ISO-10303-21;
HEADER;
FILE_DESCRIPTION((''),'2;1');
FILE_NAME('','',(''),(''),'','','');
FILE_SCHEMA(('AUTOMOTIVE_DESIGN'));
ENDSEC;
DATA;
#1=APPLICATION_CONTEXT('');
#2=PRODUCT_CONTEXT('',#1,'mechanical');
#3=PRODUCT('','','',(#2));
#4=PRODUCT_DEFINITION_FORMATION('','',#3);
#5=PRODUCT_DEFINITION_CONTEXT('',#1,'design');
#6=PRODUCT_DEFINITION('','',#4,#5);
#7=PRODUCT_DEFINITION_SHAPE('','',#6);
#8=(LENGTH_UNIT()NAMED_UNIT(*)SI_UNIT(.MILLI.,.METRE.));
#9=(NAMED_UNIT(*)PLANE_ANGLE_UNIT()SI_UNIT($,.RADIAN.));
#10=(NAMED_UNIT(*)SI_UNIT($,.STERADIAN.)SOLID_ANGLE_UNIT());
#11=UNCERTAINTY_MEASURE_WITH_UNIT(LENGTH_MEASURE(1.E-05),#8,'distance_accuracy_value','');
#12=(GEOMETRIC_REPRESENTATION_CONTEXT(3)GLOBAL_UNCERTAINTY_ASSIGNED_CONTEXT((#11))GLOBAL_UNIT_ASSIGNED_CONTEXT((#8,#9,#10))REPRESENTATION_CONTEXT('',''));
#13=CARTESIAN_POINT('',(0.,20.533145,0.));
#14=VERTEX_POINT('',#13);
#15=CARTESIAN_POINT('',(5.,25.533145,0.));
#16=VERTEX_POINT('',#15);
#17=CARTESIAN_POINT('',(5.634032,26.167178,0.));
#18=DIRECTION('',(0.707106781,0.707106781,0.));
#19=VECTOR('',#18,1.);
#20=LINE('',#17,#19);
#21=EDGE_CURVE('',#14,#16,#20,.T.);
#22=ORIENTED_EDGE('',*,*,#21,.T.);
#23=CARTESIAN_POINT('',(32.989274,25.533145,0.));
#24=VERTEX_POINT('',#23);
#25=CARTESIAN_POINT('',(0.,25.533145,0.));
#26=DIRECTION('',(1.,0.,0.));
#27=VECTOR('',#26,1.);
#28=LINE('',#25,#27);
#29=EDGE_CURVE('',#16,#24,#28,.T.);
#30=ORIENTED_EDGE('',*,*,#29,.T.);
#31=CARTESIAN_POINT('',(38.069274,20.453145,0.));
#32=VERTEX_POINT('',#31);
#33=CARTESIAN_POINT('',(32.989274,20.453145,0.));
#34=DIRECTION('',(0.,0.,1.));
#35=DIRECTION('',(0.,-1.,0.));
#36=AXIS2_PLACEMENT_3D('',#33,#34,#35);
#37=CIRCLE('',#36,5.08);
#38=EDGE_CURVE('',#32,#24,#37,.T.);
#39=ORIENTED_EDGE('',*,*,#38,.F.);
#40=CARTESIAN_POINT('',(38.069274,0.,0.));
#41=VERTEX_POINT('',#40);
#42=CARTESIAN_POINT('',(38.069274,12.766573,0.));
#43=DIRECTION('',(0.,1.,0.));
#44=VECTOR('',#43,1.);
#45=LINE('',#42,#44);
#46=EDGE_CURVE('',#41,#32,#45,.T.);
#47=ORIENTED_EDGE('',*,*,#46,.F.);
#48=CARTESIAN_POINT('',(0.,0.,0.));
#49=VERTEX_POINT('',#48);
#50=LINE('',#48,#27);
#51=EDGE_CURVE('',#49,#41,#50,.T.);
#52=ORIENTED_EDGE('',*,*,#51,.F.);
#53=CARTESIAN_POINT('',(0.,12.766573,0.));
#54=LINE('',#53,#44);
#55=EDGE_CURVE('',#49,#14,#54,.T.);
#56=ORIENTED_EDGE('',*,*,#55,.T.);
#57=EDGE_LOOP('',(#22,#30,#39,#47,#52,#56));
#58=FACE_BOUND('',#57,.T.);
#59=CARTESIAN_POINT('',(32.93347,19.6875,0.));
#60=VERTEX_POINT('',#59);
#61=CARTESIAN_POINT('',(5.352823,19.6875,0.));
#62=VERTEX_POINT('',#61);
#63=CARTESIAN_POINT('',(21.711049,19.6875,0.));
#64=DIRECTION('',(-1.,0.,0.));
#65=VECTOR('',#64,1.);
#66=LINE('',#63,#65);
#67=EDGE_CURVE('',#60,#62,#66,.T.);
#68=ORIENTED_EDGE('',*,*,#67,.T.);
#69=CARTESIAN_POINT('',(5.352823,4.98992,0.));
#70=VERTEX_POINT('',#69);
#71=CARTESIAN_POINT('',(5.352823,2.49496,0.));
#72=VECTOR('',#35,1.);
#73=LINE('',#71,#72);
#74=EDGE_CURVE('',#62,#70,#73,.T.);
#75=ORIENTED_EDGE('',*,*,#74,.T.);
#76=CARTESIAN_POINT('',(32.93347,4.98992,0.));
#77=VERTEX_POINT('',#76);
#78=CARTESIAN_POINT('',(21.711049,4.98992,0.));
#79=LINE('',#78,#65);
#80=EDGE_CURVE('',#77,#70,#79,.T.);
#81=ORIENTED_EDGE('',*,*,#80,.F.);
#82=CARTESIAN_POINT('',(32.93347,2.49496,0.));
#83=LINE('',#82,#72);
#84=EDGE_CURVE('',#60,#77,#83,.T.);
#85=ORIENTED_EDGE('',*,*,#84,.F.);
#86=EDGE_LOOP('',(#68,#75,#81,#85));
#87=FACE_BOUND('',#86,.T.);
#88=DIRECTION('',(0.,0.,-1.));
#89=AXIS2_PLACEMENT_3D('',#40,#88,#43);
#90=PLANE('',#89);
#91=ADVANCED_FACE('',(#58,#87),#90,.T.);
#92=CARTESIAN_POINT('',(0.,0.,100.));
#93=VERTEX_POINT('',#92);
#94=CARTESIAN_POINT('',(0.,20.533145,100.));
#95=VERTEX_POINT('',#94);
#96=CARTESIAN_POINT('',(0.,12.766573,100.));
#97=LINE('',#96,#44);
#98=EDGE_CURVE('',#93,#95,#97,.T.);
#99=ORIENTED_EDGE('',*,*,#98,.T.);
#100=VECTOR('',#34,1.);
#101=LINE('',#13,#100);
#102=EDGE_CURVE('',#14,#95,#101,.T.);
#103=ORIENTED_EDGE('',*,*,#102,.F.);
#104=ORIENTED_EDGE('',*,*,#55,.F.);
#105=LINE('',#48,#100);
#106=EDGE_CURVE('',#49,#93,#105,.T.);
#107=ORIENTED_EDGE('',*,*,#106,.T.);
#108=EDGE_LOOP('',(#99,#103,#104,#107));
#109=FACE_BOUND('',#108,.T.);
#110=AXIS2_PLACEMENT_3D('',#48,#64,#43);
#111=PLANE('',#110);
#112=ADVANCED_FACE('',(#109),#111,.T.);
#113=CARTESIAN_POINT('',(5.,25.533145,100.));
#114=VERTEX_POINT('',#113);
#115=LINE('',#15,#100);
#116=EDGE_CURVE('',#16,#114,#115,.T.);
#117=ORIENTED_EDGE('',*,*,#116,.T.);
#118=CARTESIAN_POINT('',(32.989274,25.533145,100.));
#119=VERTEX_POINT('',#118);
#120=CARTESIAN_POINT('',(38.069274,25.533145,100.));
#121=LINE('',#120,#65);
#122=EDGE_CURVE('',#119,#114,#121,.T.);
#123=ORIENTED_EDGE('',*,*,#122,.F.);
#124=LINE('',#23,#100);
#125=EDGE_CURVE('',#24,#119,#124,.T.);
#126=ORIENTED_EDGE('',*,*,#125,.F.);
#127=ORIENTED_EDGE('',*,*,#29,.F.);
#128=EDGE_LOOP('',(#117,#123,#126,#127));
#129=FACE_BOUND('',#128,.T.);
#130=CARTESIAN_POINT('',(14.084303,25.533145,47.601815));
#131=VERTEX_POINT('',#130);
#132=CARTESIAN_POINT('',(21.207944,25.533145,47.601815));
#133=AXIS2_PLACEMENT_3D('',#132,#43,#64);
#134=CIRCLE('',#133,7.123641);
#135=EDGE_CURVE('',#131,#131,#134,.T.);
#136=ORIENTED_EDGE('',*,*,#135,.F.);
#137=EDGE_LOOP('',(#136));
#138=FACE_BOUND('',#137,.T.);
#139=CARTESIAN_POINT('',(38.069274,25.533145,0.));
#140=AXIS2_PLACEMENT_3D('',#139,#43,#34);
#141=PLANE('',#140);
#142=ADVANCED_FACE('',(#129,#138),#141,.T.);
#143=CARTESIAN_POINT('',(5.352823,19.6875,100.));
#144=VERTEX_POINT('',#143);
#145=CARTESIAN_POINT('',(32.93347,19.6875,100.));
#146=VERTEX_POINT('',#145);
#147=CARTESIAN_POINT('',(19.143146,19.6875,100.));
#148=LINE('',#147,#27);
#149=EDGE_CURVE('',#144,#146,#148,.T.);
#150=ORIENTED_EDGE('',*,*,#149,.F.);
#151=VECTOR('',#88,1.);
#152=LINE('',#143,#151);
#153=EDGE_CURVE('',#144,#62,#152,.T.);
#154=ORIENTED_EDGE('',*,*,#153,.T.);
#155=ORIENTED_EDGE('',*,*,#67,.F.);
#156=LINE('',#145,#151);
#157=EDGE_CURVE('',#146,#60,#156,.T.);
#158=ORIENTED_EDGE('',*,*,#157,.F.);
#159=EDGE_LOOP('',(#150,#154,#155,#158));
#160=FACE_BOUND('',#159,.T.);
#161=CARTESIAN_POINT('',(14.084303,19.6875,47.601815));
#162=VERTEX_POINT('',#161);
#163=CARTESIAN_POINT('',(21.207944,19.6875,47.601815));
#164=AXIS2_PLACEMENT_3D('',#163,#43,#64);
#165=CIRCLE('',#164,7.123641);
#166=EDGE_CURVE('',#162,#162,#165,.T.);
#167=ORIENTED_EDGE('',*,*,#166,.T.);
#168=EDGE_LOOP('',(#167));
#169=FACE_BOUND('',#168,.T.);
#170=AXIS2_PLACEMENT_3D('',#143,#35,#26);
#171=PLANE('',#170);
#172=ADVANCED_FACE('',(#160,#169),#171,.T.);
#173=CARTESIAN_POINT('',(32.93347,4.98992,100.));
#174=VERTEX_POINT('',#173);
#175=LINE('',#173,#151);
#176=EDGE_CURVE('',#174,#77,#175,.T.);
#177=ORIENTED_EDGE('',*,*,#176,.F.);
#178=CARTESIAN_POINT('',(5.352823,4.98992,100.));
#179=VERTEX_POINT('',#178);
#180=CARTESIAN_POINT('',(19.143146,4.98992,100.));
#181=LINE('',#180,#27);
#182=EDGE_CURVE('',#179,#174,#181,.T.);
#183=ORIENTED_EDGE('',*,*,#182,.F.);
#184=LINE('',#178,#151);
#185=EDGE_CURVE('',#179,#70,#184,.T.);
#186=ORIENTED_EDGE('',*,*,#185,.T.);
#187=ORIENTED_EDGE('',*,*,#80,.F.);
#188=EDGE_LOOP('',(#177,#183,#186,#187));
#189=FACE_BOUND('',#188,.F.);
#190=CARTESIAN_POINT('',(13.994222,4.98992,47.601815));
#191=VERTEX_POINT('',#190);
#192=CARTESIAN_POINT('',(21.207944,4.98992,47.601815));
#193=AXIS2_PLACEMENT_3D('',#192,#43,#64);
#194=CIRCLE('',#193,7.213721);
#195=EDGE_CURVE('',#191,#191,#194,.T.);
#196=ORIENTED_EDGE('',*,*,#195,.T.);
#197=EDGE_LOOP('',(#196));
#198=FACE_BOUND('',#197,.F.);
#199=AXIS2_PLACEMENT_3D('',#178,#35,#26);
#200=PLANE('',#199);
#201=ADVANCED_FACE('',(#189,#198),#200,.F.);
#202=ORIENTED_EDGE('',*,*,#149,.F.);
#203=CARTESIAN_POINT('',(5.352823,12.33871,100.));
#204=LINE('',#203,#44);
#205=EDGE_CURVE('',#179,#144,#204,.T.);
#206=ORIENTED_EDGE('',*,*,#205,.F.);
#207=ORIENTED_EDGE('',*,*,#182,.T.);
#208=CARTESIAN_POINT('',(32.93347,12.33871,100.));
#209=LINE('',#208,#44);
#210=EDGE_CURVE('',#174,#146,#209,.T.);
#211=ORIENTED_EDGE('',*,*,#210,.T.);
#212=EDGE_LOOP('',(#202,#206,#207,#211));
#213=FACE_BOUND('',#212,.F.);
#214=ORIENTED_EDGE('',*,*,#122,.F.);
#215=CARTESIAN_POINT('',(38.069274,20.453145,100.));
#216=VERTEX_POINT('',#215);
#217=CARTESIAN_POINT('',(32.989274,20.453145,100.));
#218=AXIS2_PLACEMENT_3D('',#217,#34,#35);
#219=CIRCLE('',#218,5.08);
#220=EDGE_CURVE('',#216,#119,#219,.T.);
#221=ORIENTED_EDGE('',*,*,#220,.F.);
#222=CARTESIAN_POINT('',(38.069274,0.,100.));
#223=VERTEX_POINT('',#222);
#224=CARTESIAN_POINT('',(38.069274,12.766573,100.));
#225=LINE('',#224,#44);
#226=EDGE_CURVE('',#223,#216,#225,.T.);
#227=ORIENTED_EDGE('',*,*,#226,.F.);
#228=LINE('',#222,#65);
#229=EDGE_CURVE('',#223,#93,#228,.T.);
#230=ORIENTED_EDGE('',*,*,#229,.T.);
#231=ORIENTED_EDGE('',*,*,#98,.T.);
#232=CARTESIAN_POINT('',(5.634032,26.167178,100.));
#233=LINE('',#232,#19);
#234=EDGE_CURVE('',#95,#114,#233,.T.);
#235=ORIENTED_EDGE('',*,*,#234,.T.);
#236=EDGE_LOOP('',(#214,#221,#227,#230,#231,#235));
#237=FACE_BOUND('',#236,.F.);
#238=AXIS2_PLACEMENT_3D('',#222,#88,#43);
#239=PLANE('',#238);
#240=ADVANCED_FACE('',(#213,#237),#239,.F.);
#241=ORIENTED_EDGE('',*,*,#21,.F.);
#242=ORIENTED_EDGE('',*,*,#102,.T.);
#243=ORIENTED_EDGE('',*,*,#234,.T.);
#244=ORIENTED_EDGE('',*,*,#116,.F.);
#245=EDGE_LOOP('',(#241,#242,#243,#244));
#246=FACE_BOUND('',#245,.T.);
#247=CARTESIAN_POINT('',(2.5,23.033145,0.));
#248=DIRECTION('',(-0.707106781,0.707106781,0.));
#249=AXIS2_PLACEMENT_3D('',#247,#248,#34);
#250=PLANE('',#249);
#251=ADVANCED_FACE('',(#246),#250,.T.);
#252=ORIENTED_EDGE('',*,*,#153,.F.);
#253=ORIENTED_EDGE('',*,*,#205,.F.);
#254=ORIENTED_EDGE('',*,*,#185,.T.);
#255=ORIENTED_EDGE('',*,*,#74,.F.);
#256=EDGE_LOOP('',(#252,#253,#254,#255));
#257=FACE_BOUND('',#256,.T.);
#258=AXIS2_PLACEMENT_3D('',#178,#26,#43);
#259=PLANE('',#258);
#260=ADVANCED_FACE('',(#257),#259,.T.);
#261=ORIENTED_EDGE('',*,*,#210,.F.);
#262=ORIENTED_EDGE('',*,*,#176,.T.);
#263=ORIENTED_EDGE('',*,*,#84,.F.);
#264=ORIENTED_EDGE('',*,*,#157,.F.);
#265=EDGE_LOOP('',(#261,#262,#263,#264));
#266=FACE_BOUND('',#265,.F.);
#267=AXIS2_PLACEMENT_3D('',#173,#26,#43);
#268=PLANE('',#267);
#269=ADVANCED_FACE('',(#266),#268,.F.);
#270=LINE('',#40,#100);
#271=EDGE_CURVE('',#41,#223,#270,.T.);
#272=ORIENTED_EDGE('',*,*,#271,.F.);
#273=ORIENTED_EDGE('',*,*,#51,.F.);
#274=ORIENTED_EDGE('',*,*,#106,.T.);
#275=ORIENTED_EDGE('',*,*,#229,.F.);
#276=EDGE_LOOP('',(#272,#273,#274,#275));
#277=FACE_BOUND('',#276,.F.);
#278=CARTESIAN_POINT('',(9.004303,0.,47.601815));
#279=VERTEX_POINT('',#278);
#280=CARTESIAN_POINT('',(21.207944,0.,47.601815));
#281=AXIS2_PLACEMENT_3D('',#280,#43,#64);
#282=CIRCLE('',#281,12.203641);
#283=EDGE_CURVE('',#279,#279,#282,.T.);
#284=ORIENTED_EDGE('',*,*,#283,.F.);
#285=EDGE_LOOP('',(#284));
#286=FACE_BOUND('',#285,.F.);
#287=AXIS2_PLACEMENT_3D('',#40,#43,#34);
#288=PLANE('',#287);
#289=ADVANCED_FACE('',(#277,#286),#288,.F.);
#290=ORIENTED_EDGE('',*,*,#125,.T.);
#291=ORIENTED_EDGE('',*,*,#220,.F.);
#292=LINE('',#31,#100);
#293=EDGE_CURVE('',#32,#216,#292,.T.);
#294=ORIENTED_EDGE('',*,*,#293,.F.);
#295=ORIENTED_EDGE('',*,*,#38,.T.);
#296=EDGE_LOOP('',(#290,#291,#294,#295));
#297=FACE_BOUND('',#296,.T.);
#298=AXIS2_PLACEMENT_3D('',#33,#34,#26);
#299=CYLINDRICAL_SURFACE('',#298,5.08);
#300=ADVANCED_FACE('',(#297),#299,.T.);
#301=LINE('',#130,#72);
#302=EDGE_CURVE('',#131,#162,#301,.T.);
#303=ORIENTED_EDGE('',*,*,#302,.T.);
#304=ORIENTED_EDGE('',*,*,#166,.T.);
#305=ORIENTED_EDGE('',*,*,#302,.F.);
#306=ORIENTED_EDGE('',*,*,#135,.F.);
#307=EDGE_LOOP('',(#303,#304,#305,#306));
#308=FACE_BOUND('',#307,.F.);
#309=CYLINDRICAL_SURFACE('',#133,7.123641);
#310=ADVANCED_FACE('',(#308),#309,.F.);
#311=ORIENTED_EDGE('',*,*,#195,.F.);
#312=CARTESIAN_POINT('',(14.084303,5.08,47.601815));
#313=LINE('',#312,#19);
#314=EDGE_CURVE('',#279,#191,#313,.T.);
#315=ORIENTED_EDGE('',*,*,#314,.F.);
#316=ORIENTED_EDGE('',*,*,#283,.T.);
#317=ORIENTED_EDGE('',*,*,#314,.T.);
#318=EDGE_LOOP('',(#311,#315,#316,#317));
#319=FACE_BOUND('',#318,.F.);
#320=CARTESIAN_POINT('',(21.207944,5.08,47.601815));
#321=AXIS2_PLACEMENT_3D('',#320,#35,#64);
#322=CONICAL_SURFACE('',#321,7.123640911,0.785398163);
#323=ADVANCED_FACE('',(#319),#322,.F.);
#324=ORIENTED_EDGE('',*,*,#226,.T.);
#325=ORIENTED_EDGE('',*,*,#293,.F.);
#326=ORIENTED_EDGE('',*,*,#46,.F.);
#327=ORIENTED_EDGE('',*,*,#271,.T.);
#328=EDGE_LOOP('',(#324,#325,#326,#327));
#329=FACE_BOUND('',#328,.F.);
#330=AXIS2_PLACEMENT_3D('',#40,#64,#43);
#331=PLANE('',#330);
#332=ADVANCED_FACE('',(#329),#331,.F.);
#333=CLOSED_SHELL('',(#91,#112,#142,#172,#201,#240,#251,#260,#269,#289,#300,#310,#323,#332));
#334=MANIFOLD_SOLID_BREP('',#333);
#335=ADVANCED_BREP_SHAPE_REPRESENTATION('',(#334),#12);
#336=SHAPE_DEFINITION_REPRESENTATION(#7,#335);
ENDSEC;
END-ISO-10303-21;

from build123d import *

# Parameters (mm, degrees)
F0_W     = 38.0692742765
F0_H     = 25.5331452936
F1_DEPTH = 100
F2_DEPTH = 23.622
F3_R     = 7.1236409115
F4_DEPTH = 56.642
F5_R     = 5.08
F6_SIZE  = 5.08
F7_SIZE  = 5
F8_W     = 27.580646798
F8_H     = 14.6975801326
F9_DEPTH = 109.9


with BuildPart() as f1:
    # F0 (on Top) → F1 (new body)
    with BuildSketch(Plane.XY):
        with Locations((19.0346371382, 12.7665726468)):
            Rectangle(F0_W, F0_H)
    extrude(amount=F1_DEPTH)

    # F2 (add): a face of the model
    f2_faces = [f1.faces().sort_by_distance(p)[0] for p in [
        (38.0692742765, 12.7665726468, 50),
    ]]
    extrude(f2_faces, amount=-F2_DEPTH)

    # F3 (on face) → F4 (cut)
    with BuildSketch(Plane(origin=(0, 25.5331452936, 0), x_dir=(-1, 0, 0), z_dir=(0, 1, 0))):
        with Locations((-21.2079435587, 47.6018153131)):
            Circle(F3_R)
    extrude(amount=-F4_DEPTH, mode=Mode.SUBTRACT)

    # F5
    f5_edges = [f1.edges().sort_by_distance(p)[0] for p in [
        (38.069274, 25.533145, 50),
    ]]
    fillet(f5_edges, radius=F5_R)

    # F6
    f6_edges = [f1.edges().sort_by_distance(p)[0] for p in [
        (28.331584, 0, 47.601815),
    ]]
    chamfer(f6_edges, length=F6_SIZE)

    # F7
    f7_edges = [f1.edges().sort_by_distance(p)[0] for p in [
        (0, 25.533145, 50),
    ]]
    chamfer(f7_edges, length=F7_SIZE)

    # F8 (on face) → F9 (cut)
    with BuildSketch(Plane.XY.offset(100)):
        with Locations((19.1431464627, 12.3387097847)):
            Rectangle(F8_W, F8_H)
    extrude(amount=-F9_DEPTH, mode=Mode.SUBTRACT)


solid = f1.part
